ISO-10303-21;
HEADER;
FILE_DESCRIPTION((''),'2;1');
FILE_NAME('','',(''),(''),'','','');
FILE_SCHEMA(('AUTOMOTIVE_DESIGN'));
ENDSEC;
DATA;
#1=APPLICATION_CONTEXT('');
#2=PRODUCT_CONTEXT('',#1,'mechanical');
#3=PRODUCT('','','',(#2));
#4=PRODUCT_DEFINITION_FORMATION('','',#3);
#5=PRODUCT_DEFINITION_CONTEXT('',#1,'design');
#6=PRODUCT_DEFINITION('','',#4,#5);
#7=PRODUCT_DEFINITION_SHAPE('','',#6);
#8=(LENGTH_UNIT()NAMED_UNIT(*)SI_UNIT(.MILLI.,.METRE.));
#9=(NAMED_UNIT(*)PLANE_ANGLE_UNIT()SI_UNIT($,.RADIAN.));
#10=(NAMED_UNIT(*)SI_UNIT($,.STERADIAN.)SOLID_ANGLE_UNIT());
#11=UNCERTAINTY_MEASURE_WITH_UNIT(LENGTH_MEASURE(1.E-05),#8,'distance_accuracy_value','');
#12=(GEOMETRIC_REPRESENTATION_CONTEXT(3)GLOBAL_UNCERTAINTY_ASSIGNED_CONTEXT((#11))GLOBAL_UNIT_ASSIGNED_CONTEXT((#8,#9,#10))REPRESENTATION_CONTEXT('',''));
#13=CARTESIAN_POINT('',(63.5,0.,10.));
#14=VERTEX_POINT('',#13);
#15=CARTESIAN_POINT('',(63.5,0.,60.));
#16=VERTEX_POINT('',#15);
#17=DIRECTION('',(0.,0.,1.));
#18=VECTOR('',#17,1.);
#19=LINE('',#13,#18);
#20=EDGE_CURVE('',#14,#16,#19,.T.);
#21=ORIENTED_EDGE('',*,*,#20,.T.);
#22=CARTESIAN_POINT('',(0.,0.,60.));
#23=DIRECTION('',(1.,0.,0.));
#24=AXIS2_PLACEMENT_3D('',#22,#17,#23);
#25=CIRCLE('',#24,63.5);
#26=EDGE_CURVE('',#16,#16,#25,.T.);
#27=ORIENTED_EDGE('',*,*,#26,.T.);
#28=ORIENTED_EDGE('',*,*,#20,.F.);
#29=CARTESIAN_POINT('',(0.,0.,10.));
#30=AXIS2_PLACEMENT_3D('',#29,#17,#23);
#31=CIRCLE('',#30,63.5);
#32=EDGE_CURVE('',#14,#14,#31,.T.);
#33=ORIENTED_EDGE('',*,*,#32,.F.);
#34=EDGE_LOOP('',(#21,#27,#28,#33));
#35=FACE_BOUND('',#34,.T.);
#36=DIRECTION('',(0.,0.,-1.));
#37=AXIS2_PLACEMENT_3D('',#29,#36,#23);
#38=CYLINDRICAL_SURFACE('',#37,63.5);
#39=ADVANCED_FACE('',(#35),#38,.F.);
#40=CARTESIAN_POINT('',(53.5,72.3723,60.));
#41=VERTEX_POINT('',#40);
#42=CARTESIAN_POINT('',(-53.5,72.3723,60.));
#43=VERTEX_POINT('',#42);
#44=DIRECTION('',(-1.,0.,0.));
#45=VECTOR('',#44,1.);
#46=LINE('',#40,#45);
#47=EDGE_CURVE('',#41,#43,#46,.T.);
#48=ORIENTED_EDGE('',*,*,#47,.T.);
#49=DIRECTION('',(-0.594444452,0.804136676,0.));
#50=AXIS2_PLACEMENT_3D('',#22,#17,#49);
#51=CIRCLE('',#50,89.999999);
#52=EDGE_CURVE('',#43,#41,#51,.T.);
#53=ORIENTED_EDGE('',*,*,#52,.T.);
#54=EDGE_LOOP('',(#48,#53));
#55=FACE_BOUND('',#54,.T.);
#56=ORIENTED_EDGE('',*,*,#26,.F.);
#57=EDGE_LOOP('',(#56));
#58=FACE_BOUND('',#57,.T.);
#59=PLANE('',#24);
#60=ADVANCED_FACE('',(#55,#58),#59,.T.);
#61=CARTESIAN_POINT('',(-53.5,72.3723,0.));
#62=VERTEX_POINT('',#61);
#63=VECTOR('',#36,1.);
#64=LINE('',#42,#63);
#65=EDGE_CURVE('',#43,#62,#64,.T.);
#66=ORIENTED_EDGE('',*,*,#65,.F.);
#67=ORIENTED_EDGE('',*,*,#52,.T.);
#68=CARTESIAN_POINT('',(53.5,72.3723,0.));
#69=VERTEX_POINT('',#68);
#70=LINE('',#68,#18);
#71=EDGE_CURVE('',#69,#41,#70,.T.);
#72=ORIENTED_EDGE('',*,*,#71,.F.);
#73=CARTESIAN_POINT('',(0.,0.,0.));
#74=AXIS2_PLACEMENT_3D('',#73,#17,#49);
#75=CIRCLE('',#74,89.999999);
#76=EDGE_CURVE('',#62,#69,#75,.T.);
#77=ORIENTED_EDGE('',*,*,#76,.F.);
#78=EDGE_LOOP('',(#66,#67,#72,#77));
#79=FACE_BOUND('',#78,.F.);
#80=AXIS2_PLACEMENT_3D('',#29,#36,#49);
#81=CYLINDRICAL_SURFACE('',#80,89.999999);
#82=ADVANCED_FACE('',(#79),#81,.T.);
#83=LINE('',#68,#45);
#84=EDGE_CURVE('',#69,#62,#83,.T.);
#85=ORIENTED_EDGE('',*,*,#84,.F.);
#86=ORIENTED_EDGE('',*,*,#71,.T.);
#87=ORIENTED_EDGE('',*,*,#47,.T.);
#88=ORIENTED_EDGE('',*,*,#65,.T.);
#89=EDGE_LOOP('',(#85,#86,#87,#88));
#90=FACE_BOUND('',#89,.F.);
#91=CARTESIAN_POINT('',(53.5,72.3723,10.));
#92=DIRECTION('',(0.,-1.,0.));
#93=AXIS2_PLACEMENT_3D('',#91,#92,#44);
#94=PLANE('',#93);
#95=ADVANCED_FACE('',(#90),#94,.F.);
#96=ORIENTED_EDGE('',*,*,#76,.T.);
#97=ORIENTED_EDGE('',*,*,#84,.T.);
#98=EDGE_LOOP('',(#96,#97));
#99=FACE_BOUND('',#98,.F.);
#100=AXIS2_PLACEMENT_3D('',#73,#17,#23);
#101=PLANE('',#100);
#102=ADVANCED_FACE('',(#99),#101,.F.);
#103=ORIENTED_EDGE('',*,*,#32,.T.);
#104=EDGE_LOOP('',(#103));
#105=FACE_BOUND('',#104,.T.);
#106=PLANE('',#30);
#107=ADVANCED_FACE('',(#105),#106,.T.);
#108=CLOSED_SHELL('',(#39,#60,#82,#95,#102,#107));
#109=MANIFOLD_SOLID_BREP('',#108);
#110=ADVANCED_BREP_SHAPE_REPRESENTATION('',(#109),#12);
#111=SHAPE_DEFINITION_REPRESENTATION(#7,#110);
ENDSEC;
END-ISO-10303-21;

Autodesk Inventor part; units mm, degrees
ref_plane "YZ Plane" through (0, 0, 0) normal (1, 0, 0) x (0, 1, 0)
ref_plane "XZ Plane" through (0, 0, 0) normal (0, 1, 0) x (-1, 0, 0)
ref_plane "XY Plane" through (0, 0, 0) normal (0, 0, 1) x (1, 0, 0)
sketch "Náčrt1" plane through (0, 0, 0) normal (0, 0, 1) x (1, 0, 0)
  line L0 (0, 104.8468) -> (0, -122.4745) projected
  line L1 (-126, 0) -> (126, 0) projected
  circle A0 centre (0, 0) radius 63.5
  arc A1 (-53.5, 72.3723) -> (53.5, 72.3723) centre (0, 0) ccw
  line L2 (-53.5, 72.3723) -> (53.5, 72.3723)
  dimension "d0" = 127
  dimension "d1" = 180
  dimension "d2" = 107
extrude "Vysunutí1" add sketch "Náčrt1" along normal blind 10
sketch "Náčrt2" plane through (0, 0, 10) normal (0, 0, 1) x (1, 0, 0)
  circle A0 centre (0, 0) radius 63.5
  line L0 (53.5, 72.3723) -> (-53.5, 72.3723) projected
  arc A1 (-53.5, 72.3723) -> (53.5, 72.3723) centre (0, 0) ccw projected
  arc A2 (-53.5, 72.3723) -> (53.5, 72.3723) centre (0, 0) ccw
  line L1 (-53.5, 72.3723) -> (53.5, 72.3723)
  dimension "d5" = 127
extrude "Vysunutí2" add sketch "Náčrt2" along normal blind 50
properties part number "Miska"
